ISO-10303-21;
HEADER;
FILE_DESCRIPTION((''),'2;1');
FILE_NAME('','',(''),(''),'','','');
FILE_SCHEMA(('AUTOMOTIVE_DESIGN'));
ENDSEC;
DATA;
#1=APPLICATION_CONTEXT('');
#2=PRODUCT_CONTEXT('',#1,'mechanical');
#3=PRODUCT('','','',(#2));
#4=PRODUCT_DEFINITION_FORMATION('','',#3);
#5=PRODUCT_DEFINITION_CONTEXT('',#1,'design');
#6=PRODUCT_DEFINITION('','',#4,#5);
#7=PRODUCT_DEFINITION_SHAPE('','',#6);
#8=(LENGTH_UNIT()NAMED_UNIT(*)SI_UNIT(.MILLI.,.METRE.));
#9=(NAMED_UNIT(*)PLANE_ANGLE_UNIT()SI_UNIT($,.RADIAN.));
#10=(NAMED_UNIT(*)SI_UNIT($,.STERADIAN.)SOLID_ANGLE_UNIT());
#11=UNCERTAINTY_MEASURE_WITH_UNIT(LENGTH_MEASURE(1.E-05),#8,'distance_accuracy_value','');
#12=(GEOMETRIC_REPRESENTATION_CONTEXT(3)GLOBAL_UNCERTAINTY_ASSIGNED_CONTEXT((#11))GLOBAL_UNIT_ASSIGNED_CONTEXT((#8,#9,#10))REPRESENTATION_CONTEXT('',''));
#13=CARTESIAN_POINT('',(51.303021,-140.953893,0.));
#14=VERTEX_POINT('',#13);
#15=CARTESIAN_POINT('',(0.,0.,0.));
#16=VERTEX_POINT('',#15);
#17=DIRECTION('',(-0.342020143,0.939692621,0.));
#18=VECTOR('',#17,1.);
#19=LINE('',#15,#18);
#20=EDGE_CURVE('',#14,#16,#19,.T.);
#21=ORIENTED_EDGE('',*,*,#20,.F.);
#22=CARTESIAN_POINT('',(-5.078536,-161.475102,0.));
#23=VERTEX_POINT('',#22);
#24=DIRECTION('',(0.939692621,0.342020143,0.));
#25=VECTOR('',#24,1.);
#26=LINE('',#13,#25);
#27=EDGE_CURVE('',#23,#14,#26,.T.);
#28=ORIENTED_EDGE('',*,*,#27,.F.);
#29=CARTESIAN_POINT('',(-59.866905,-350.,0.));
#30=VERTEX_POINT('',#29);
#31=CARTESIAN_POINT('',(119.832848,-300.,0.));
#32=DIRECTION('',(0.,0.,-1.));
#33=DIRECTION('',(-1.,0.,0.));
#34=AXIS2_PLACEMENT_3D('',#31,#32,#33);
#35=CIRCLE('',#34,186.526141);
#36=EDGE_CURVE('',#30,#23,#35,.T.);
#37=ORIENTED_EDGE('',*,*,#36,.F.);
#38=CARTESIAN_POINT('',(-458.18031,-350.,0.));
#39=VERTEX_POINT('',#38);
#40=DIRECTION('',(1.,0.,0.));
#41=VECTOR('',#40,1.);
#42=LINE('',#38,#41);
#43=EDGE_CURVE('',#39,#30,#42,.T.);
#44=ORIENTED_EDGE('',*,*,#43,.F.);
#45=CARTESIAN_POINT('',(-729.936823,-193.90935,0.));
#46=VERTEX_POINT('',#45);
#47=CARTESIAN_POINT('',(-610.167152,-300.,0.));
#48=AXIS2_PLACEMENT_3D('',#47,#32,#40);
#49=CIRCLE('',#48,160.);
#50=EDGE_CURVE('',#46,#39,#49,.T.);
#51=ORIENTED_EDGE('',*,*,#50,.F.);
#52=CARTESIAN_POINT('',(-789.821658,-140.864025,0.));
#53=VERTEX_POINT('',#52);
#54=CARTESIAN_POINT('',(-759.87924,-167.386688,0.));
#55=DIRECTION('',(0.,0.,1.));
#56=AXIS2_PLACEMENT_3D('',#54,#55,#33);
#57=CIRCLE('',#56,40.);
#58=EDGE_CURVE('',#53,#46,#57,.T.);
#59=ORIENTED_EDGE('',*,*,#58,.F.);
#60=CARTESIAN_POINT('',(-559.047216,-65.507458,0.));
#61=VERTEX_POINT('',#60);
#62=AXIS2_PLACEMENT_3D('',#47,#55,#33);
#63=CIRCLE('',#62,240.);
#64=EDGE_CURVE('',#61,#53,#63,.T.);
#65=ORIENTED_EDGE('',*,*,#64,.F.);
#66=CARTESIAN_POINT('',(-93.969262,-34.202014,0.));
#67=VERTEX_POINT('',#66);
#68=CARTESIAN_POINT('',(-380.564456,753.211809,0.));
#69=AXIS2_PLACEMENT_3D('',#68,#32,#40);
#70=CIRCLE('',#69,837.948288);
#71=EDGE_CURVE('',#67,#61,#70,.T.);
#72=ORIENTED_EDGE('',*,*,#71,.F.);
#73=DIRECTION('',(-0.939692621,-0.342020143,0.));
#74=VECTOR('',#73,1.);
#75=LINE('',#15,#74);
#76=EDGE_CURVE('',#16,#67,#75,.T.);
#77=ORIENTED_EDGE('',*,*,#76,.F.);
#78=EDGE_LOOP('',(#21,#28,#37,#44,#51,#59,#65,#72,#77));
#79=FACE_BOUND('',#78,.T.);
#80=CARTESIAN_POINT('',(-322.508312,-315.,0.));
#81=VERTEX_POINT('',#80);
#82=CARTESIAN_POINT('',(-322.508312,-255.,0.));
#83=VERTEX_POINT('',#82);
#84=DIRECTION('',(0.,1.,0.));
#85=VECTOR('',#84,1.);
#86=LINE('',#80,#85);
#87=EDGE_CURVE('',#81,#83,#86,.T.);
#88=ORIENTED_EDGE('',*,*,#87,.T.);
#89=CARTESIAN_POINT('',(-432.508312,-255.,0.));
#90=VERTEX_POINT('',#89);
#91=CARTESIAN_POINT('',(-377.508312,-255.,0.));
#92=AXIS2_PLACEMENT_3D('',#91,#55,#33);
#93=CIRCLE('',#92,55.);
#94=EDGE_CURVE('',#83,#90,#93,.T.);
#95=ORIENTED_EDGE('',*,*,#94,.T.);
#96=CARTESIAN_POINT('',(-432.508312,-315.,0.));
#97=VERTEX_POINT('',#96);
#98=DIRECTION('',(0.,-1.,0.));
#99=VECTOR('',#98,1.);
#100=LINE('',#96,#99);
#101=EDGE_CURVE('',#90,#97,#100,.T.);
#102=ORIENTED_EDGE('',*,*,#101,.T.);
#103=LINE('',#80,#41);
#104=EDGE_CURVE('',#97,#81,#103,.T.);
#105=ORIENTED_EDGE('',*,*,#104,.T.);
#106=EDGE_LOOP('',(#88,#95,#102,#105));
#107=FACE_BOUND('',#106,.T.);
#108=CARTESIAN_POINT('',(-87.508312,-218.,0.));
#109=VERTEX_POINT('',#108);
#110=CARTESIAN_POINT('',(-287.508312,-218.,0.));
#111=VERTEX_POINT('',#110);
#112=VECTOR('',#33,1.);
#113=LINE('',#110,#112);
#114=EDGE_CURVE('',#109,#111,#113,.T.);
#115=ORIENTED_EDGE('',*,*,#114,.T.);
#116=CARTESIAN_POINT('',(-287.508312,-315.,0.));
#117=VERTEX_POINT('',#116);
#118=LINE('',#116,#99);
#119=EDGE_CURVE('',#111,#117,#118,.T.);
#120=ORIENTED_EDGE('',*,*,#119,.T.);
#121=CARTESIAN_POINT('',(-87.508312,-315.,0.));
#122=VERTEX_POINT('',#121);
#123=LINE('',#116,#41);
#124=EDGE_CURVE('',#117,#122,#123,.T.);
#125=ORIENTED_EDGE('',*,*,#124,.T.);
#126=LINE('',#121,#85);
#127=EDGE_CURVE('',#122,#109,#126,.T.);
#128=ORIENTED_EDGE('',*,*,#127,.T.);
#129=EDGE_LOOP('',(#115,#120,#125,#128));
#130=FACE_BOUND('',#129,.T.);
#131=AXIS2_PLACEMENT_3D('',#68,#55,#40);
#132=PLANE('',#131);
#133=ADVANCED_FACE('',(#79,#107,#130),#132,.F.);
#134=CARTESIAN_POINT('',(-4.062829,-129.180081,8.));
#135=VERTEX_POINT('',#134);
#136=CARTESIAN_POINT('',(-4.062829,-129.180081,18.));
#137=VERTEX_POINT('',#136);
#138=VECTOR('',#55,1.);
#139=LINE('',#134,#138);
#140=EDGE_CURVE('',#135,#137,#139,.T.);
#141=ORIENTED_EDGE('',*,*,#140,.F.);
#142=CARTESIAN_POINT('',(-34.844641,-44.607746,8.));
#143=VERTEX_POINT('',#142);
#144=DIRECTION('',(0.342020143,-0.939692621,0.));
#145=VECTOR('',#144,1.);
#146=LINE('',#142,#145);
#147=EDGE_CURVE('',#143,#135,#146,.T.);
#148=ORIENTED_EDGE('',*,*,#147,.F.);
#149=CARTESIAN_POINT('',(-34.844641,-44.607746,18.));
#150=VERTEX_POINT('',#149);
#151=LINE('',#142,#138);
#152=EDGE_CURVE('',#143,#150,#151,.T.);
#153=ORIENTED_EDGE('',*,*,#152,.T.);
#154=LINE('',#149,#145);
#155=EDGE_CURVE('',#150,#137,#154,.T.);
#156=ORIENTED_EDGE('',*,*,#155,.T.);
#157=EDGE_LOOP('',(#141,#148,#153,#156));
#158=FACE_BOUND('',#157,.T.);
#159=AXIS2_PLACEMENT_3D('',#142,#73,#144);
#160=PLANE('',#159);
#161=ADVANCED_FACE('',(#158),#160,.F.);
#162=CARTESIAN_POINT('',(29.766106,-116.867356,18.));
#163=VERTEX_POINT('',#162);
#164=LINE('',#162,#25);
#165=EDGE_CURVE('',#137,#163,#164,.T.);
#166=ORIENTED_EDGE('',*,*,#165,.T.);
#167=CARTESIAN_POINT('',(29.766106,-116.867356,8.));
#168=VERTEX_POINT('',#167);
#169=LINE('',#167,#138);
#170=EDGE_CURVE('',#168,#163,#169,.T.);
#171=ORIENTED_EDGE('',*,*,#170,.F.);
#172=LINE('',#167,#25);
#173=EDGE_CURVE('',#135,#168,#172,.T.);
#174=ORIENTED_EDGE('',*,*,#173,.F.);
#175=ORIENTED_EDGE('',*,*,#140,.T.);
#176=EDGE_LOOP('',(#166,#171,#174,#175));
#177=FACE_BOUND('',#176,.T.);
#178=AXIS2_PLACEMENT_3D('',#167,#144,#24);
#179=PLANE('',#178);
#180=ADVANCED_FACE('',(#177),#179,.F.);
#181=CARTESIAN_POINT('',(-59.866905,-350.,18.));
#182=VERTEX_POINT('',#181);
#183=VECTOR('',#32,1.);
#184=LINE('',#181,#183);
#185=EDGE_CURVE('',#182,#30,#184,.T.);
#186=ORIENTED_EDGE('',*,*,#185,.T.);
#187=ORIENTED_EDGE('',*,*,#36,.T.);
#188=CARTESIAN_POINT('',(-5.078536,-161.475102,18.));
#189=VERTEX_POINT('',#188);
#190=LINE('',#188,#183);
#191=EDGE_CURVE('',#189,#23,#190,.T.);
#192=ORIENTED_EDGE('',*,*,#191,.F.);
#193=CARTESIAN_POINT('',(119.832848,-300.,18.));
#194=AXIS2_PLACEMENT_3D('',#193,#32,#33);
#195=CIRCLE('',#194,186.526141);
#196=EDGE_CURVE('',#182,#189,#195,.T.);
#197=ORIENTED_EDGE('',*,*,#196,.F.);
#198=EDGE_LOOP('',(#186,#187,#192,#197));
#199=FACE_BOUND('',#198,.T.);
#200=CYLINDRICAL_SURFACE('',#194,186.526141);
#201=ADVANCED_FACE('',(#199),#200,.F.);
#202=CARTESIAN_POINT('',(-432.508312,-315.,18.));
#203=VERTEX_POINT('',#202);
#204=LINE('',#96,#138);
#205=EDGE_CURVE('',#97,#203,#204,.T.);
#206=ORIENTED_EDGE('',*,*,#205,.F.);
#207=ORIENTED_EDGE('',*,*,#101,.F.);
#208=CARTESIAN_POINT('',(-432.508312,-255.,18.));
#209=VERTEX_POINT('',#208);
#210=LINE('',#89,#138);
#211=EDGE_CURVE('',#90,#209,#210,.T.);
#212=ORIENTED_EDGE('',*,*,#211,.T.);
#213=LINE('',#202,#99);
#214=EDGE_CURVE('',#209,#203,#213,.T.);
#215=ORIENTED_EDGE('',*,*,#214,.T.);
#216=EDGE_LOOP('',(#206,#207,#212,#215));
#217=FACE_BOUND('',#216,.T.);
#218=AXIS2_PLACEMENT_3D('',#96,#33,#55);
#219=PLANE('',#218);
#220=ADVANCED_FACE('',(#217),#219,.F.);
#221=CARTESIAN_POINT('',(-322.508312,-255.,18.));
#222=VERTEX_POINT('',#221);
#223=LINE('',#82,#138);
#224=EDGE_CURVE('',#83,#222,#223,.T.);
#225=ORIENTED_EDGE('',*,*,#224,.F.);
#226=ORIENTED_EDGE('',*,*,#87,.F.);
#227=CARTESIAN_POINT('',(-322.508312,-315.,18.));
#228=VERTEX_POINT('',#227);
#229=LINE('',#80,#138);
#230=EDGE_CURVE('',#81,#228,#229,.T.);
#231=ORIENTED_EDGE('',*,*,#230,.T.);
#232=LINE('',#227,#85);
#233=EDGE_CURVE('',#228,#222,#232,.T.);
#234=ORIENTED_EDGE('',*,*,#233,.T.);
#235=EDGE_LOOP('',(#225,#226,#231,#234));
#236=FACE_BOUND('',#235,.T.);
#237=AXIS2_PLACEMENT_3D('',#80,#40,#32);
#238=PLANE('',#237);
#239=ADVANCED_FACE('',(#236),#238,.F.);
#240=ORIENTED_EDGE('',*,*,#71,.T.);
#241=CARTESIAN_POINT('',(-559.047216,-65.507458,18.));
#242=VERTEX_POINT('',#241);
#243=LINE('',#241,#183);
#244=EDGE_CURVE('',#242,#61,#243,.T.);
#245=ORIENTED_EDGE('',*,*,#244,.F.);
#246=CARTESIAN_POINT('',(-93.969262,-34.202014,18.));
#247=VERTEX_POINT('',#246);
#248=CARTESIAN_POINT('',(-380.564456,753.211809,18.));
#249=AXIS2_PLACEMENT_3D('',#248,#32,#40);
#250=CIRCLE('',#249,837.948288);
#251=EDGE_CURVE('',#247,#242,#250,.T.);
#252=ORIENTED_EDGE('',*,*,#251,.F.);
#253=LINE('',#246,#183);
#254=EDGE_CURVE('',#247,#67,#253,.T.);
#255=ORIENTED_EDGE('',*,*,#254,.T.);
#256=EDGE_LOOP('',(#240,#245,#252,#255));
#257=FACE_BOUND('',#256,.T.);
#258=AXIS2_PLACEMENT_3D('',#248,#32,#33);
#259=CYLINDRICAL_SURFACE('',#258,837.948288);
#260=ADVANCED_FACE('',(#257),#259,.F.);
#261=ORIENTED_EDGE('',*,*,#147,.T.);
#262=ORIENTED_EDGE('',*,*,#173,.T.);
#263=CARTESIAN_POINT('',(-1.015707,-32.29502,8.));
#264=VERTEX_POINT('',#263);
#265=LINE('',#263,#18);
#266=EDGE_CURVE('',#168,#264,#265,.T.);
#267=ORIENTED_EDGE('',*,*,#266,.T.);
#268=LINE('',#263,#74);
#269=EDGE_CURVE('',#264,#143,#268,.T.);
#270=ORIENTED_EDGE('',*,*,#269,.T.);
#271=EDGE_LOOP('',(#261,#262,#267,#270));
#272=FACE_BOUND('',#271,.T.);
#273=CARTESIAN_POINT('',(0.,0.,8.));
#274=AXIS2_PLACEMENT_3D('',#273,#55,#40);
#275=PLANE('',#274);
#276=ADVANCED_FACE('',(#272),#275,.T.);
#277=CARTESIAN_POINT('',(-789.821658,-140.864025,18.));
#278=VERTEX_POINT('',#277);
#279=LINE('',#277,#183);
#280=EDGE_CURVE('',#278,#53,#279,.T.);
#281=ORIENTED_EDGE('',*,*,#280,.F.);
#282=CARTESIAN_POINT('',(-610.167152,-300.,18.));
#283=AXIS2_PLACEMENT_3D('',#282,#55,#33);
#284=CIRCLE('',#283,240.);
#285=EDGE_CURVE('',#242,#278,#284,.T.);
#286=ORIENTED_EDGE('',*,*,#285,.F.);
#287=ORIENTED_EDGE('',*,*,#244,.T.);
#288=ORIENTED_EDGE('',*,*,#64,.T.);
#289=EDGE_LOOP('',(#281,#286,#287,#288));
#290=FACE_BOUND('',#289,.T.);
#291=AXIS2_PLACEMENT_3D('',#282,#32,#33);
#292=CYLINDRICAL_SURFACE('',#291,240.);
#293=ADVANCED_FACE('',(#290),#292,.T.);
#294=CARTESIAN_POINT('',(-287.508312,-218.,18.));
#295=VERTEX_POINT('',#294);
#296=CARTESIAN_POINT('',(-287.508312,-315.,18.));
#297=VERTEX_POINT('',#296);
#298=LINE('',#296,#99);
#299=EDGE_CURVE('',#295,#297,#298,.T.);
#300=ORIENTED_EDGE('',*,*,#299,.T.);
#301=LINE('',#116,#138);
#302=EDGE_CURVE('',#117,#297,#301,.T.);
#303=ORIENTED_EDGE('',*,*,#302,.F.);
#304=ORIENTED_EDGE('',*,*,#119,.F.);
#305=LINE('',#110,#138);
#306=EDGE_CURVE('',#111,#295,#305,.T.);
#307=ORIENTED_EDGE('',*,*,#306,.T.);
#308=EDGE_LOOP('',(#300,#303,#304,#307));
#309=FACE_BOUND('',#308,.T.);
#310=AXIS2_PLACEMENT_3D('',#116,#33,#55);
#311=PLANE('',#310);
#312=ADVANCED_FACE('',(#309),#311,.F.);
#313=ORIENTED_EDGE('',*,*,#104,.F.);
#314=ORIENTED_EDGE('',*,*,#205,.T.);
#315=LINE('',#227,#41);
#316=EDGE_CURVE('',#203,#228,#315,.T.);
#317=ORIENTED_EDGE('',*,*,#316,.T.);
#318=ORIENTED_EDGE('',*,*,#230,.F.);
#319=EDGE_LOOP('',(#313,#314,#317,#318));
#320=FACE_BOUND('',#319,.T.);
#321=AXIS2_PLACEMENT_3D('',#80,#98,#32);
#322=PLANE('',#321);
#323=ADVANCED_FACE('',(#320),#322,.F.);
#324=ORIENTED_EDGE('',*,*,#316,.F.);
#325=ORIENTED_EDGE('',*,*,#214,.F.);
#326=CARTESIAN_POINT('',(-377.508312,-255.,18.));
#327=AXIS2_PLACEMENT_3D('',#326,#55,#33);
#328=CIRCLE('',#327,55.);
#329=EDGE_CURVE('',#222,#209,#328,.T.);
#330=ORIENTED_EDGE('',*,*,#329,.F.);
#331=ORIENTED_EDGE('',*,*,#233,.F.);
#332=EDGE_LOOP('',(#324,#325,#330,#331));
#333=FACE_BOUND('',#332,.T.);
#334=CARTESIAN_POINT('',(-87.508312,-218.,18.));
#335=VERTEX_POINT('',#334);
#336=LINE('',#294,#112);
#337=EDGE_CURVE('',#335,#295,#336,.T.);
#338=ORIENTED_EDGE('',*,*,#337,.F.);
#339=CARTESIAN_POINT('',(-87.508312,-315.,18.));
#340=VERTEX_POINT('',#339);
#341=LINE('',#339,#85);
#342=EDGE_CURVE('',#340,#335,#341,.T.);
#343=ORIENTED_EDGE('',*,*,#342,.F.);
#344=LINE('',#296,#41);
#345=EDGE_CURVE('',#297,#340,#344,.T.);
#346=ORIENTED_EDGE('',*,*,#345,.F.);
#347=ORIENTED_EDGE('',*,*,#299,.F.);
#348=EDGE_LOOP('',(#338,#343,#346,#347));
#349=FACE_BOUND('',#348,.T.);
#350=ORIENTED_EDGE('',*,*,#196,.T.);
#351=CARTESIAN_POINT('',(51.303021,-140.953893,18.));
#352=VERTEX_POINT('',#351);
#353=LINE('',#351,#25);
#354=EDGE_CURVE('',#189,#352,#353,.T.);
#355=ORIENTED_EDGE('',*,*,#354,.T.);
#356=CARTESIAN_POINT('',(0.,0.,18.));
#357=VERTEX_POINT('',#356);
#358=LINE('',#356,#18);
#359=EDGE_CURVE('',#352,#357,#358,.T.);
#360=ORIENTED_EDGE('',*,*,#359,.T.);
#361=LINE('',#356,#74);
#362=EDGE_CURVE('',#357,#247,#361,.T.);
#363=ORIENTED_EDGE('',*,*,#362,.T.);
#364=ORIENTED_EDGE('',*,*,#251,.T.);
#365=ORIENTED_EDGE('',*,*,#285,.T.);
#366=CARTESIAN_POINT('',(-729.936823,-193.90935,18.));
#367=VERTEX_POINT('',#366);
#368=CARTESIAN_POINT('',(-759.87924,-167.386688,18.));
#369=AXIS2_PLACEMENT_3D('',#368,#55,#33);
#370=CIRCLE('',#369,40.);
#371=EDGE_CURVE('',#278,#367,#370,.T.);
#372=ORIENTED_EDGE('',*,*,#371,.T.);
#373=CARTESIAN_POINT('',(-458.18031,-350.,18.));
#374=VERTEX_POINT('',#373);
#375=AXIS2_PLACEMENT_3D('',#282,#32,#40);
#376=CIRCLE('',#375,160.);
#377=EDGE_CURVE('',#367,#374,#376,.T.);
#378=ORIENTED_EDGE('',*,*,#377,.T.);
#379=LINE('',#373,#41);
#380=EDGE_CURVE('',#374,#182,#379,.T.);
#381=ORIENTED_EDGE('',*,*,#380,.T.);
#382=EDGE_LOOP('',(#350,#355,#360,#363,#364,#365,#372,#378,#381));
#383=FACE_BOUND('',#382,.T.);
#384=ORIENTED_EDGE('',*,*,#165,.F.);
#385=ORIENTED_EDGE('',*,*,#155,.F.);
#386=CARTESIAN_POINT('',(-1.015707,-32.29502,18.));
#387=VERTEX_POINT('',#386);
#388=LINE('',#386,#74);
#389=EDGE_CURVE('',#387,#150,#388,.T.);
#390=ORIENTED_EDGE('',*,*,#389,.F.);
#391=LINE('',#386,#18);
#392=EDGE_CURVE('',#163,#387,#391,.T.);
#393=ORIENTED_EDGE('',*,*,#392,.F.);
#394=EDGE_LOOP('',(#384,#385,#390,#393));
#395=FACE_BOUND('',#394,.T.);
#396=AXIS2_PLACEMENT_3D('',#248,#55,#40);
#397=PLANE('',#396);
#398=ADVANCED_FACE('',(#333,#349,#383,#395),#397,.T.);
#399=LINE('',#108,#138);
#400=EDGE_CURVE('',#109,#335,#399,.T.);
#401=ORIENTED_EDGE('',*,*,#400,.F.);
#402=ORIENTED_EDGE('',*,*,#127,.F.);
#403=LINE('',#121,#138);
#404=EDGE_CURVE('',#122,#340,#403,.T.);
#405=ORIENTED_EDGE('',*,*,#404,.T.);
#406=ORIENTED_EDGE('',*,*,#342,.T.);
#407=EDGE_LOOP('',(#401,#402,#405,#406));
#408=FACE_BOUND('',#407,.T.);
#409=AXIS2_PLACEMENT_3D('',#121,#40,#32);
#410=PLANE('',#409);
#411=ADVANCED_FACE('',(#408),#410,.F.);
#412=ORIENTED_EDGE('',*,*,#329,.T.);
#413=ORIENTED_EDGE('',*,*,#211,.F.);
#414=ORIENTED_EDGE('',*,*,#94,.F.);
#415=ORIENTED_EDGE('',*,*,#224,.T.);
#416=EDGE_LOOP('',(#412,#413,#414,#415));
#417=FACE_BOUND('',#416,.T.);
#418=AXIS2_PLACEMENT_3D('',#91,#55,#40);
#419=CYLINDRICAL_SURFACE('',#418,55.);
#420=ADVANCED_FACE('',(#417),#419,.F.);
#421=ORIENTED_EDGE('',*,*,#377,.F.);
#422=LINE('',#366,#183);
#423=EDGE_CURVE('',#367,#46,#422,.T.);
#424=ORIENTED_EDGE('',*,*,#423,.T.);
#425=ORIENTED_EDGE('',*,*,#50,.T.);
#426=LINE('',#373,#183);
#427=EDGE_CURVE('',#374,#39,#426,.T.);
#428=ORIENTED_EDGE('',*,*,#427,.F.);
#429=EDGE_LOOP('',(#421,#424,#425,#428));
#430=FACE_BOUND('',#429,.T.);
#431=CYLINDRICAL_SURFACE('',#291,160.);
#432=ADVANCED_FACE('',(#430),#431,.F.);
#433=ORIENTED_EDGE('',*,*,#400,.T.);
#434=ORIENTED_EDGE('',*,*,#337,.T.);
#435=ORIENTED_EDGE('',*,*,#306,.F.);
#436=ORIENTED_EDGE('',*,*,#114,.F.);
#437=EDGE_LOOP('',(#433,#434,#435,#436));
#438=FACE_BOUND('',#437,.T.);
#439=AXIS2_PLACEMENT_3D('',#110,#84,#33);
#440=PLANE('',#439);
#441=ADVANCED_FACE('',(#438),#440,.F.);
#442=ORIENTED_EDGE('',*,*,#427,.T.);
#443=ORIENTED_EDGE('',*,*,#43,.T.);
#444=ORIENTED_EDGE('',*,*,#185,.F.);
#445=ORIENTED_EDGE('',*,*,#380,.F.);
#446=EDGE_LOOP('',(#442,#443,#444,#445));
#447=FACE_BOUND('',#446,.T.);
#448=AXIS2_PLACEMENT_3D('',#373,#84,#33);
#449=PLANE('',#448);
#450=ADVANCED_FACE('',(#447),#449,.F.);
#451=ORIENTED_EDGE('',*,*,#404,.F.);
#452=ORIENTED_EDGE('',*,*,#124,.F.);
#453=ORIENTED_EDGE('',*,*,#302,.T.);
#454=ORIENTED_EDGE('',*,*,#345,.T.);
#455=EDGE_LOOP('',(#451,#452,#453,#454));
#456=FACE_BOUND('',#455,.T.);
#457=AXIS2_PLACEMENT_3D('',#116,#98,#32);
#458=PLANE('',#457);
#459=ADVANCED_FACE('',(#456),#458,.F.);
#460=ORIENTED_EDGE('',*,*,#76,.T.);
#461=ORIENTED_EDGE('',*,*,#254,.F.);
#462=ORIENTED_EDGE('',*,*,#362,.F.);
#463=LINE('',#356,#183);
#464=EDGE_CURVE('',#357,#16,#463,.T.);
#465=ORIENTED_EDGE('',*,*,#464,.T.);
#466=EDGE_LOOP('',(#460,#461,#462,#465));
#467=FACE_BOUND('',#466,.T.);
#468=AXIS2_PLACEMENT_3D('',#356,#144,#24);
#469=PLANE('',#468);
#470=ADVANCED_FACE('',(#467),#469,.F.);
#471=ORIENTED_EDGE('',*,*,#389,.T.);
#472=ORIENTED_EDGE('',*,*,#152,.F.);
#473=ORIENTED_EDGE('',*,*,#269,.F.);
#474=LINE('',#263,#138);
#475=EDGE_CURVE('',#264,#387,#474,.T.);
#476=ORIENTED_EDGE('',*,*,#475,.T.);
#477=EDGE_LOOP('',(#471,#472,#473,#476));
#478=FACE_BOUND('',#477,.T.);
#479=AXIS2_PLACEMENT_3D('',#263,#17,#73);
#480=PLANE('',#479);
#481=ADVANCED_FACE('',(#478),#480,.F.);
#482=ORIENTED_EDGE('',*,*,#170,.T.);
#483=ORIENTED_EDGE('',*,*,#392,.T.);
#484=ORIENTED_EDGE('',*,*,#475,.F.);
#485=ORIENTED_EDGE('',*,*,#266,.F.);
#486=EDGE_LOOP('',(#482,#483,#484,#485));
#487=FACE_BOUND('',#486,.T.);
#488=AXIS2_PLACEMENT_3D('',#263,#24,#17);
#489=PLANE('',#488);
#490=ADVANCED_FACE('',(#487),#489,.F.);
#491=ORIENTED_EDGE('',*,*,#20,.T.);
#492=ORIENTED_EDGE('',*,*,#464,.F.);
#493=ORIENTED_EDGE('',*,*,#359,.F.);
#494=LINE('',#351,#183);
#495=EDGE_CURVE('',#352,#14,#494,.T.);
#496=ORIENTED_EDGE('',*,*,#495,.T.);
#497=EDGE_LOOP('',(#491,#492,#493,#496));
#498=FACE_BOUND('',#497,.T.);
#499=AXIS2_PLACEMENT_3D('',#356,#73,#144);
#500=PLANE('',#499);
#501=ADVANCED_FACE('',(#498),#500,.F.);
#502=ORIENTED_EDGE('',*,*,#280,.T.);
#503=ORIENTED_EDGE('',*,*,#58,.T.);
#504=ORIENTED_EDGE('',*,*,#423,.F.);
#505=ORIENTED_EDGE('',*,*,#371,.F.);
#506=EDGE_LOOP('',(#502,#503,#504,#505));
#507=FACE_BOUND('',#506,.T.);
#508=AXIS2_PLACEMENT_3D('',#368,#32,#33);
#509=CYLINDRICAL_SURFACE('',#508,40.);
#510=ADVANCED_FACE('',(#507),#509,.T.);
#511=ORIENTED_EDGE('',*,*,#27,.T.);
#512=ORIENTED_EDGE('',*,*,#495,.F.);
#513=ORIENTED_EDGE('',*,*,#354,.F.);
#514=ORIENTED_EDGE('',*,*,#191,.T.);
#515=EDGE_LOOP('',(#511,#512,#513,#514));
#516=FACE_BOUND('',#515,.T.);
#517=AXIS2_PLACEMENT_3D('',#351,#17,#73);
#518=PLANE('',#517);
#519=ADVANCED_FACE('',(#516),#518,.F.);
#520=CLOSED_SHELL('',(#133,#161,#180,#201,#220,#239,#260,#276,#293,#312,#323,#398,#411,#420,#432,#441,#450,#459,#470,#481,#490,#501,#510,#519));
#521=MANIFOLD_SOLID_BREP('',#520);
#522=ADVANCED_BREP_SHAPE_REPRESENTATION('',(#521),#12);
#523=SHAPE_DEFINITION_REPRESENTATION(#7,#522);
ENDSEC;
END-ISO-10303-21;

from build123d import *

# Parameters (mm, degrees)
BOSS_EXTRUDE1_DEPTH = 18
SKETCH2_W           = 200
SKETCH2_H           = 97
CUT_EXTRUDE1_DEPTH  = 19
CUT_EXTRUDE2_DEPTH  = 10


with BuildPart() as part:
    # Sketch1 → Boss-Extrude1 (new body)
    with BuildSketch(Plane.XY):
        with BuildLine():
            Line((0, 0), (51.303021499, -140.953893118))
            Line((51.303021499, -140.953893118), (-5.078535748, -161.475101717))
            ThreePointArc((-5.078535748, -161.475101717), (-59.282744504, -247.94612641), (-59.866905015, -350))
            Line((-59.866905015, -350), (-458.18031046, -350))
            ThreePointArc((-458.18031046, -350), (-530.476755656, -161.257646224), (-729.936822659, -193.909350133))
            ThreePointArc((-729.936822659, -193.909350133), (-786.401902791, -197.329105332), (-789.82165799, -140.864025199))
            ThreePointArc((-789.82165799, -140.864025199), (-684.665051265, -71.855170989), (-559.047216388, -65.507458149))
            ThreePointArc((-559.047216388, -65.507458149), (-324.287619955, -82.844559906), (-93.969262079, -34.202014333))
            Line((-93.969262079, -34.202014333), (0, 0))
        make_face()
    extrude(amount=BOSS_EXTRUDE1_DEPTH)

    # Sketch2 → Cut-Extrude1 (cut, through all)
    with BuildSketch(Plane.XY.offset(18)):
        with Locations((-187.508312236, -266.5)):
            Rectangle(SKETCH2_W, SKETCH2_H)
        with BuildLine():
            Line((-322.508312236, -315), (-432.508312236, -315))
            Line((-432.508312236, -315), (-432.508312236, -255))
            ThreePointArc((-432.508312236, -255), (-377.508312236, -200), (-322.508312236, -255))
            Line((-322.508312236, -255), (-322.508312236, -315))
        make_face()
    extrude(amount=-CUT_EXTRUDE1_DEPTH, mode=Mode.SUBTRACT)

    # Sketch3 → Cut-Extrude2 (cut)
    with BuildSketch(Plane.XY.offset(18)):
        Polygon((-1.01570715, -32.295020343), (29.76610575, -116.867356214), (-4.062828599, -129.180081374), (-34.844641498, -44.607745503), align=None)
    extrude(amount=-CUT_EXTRUDE2_DEPTH, mode=Mode.SUBTRACT)


solid = part.part
